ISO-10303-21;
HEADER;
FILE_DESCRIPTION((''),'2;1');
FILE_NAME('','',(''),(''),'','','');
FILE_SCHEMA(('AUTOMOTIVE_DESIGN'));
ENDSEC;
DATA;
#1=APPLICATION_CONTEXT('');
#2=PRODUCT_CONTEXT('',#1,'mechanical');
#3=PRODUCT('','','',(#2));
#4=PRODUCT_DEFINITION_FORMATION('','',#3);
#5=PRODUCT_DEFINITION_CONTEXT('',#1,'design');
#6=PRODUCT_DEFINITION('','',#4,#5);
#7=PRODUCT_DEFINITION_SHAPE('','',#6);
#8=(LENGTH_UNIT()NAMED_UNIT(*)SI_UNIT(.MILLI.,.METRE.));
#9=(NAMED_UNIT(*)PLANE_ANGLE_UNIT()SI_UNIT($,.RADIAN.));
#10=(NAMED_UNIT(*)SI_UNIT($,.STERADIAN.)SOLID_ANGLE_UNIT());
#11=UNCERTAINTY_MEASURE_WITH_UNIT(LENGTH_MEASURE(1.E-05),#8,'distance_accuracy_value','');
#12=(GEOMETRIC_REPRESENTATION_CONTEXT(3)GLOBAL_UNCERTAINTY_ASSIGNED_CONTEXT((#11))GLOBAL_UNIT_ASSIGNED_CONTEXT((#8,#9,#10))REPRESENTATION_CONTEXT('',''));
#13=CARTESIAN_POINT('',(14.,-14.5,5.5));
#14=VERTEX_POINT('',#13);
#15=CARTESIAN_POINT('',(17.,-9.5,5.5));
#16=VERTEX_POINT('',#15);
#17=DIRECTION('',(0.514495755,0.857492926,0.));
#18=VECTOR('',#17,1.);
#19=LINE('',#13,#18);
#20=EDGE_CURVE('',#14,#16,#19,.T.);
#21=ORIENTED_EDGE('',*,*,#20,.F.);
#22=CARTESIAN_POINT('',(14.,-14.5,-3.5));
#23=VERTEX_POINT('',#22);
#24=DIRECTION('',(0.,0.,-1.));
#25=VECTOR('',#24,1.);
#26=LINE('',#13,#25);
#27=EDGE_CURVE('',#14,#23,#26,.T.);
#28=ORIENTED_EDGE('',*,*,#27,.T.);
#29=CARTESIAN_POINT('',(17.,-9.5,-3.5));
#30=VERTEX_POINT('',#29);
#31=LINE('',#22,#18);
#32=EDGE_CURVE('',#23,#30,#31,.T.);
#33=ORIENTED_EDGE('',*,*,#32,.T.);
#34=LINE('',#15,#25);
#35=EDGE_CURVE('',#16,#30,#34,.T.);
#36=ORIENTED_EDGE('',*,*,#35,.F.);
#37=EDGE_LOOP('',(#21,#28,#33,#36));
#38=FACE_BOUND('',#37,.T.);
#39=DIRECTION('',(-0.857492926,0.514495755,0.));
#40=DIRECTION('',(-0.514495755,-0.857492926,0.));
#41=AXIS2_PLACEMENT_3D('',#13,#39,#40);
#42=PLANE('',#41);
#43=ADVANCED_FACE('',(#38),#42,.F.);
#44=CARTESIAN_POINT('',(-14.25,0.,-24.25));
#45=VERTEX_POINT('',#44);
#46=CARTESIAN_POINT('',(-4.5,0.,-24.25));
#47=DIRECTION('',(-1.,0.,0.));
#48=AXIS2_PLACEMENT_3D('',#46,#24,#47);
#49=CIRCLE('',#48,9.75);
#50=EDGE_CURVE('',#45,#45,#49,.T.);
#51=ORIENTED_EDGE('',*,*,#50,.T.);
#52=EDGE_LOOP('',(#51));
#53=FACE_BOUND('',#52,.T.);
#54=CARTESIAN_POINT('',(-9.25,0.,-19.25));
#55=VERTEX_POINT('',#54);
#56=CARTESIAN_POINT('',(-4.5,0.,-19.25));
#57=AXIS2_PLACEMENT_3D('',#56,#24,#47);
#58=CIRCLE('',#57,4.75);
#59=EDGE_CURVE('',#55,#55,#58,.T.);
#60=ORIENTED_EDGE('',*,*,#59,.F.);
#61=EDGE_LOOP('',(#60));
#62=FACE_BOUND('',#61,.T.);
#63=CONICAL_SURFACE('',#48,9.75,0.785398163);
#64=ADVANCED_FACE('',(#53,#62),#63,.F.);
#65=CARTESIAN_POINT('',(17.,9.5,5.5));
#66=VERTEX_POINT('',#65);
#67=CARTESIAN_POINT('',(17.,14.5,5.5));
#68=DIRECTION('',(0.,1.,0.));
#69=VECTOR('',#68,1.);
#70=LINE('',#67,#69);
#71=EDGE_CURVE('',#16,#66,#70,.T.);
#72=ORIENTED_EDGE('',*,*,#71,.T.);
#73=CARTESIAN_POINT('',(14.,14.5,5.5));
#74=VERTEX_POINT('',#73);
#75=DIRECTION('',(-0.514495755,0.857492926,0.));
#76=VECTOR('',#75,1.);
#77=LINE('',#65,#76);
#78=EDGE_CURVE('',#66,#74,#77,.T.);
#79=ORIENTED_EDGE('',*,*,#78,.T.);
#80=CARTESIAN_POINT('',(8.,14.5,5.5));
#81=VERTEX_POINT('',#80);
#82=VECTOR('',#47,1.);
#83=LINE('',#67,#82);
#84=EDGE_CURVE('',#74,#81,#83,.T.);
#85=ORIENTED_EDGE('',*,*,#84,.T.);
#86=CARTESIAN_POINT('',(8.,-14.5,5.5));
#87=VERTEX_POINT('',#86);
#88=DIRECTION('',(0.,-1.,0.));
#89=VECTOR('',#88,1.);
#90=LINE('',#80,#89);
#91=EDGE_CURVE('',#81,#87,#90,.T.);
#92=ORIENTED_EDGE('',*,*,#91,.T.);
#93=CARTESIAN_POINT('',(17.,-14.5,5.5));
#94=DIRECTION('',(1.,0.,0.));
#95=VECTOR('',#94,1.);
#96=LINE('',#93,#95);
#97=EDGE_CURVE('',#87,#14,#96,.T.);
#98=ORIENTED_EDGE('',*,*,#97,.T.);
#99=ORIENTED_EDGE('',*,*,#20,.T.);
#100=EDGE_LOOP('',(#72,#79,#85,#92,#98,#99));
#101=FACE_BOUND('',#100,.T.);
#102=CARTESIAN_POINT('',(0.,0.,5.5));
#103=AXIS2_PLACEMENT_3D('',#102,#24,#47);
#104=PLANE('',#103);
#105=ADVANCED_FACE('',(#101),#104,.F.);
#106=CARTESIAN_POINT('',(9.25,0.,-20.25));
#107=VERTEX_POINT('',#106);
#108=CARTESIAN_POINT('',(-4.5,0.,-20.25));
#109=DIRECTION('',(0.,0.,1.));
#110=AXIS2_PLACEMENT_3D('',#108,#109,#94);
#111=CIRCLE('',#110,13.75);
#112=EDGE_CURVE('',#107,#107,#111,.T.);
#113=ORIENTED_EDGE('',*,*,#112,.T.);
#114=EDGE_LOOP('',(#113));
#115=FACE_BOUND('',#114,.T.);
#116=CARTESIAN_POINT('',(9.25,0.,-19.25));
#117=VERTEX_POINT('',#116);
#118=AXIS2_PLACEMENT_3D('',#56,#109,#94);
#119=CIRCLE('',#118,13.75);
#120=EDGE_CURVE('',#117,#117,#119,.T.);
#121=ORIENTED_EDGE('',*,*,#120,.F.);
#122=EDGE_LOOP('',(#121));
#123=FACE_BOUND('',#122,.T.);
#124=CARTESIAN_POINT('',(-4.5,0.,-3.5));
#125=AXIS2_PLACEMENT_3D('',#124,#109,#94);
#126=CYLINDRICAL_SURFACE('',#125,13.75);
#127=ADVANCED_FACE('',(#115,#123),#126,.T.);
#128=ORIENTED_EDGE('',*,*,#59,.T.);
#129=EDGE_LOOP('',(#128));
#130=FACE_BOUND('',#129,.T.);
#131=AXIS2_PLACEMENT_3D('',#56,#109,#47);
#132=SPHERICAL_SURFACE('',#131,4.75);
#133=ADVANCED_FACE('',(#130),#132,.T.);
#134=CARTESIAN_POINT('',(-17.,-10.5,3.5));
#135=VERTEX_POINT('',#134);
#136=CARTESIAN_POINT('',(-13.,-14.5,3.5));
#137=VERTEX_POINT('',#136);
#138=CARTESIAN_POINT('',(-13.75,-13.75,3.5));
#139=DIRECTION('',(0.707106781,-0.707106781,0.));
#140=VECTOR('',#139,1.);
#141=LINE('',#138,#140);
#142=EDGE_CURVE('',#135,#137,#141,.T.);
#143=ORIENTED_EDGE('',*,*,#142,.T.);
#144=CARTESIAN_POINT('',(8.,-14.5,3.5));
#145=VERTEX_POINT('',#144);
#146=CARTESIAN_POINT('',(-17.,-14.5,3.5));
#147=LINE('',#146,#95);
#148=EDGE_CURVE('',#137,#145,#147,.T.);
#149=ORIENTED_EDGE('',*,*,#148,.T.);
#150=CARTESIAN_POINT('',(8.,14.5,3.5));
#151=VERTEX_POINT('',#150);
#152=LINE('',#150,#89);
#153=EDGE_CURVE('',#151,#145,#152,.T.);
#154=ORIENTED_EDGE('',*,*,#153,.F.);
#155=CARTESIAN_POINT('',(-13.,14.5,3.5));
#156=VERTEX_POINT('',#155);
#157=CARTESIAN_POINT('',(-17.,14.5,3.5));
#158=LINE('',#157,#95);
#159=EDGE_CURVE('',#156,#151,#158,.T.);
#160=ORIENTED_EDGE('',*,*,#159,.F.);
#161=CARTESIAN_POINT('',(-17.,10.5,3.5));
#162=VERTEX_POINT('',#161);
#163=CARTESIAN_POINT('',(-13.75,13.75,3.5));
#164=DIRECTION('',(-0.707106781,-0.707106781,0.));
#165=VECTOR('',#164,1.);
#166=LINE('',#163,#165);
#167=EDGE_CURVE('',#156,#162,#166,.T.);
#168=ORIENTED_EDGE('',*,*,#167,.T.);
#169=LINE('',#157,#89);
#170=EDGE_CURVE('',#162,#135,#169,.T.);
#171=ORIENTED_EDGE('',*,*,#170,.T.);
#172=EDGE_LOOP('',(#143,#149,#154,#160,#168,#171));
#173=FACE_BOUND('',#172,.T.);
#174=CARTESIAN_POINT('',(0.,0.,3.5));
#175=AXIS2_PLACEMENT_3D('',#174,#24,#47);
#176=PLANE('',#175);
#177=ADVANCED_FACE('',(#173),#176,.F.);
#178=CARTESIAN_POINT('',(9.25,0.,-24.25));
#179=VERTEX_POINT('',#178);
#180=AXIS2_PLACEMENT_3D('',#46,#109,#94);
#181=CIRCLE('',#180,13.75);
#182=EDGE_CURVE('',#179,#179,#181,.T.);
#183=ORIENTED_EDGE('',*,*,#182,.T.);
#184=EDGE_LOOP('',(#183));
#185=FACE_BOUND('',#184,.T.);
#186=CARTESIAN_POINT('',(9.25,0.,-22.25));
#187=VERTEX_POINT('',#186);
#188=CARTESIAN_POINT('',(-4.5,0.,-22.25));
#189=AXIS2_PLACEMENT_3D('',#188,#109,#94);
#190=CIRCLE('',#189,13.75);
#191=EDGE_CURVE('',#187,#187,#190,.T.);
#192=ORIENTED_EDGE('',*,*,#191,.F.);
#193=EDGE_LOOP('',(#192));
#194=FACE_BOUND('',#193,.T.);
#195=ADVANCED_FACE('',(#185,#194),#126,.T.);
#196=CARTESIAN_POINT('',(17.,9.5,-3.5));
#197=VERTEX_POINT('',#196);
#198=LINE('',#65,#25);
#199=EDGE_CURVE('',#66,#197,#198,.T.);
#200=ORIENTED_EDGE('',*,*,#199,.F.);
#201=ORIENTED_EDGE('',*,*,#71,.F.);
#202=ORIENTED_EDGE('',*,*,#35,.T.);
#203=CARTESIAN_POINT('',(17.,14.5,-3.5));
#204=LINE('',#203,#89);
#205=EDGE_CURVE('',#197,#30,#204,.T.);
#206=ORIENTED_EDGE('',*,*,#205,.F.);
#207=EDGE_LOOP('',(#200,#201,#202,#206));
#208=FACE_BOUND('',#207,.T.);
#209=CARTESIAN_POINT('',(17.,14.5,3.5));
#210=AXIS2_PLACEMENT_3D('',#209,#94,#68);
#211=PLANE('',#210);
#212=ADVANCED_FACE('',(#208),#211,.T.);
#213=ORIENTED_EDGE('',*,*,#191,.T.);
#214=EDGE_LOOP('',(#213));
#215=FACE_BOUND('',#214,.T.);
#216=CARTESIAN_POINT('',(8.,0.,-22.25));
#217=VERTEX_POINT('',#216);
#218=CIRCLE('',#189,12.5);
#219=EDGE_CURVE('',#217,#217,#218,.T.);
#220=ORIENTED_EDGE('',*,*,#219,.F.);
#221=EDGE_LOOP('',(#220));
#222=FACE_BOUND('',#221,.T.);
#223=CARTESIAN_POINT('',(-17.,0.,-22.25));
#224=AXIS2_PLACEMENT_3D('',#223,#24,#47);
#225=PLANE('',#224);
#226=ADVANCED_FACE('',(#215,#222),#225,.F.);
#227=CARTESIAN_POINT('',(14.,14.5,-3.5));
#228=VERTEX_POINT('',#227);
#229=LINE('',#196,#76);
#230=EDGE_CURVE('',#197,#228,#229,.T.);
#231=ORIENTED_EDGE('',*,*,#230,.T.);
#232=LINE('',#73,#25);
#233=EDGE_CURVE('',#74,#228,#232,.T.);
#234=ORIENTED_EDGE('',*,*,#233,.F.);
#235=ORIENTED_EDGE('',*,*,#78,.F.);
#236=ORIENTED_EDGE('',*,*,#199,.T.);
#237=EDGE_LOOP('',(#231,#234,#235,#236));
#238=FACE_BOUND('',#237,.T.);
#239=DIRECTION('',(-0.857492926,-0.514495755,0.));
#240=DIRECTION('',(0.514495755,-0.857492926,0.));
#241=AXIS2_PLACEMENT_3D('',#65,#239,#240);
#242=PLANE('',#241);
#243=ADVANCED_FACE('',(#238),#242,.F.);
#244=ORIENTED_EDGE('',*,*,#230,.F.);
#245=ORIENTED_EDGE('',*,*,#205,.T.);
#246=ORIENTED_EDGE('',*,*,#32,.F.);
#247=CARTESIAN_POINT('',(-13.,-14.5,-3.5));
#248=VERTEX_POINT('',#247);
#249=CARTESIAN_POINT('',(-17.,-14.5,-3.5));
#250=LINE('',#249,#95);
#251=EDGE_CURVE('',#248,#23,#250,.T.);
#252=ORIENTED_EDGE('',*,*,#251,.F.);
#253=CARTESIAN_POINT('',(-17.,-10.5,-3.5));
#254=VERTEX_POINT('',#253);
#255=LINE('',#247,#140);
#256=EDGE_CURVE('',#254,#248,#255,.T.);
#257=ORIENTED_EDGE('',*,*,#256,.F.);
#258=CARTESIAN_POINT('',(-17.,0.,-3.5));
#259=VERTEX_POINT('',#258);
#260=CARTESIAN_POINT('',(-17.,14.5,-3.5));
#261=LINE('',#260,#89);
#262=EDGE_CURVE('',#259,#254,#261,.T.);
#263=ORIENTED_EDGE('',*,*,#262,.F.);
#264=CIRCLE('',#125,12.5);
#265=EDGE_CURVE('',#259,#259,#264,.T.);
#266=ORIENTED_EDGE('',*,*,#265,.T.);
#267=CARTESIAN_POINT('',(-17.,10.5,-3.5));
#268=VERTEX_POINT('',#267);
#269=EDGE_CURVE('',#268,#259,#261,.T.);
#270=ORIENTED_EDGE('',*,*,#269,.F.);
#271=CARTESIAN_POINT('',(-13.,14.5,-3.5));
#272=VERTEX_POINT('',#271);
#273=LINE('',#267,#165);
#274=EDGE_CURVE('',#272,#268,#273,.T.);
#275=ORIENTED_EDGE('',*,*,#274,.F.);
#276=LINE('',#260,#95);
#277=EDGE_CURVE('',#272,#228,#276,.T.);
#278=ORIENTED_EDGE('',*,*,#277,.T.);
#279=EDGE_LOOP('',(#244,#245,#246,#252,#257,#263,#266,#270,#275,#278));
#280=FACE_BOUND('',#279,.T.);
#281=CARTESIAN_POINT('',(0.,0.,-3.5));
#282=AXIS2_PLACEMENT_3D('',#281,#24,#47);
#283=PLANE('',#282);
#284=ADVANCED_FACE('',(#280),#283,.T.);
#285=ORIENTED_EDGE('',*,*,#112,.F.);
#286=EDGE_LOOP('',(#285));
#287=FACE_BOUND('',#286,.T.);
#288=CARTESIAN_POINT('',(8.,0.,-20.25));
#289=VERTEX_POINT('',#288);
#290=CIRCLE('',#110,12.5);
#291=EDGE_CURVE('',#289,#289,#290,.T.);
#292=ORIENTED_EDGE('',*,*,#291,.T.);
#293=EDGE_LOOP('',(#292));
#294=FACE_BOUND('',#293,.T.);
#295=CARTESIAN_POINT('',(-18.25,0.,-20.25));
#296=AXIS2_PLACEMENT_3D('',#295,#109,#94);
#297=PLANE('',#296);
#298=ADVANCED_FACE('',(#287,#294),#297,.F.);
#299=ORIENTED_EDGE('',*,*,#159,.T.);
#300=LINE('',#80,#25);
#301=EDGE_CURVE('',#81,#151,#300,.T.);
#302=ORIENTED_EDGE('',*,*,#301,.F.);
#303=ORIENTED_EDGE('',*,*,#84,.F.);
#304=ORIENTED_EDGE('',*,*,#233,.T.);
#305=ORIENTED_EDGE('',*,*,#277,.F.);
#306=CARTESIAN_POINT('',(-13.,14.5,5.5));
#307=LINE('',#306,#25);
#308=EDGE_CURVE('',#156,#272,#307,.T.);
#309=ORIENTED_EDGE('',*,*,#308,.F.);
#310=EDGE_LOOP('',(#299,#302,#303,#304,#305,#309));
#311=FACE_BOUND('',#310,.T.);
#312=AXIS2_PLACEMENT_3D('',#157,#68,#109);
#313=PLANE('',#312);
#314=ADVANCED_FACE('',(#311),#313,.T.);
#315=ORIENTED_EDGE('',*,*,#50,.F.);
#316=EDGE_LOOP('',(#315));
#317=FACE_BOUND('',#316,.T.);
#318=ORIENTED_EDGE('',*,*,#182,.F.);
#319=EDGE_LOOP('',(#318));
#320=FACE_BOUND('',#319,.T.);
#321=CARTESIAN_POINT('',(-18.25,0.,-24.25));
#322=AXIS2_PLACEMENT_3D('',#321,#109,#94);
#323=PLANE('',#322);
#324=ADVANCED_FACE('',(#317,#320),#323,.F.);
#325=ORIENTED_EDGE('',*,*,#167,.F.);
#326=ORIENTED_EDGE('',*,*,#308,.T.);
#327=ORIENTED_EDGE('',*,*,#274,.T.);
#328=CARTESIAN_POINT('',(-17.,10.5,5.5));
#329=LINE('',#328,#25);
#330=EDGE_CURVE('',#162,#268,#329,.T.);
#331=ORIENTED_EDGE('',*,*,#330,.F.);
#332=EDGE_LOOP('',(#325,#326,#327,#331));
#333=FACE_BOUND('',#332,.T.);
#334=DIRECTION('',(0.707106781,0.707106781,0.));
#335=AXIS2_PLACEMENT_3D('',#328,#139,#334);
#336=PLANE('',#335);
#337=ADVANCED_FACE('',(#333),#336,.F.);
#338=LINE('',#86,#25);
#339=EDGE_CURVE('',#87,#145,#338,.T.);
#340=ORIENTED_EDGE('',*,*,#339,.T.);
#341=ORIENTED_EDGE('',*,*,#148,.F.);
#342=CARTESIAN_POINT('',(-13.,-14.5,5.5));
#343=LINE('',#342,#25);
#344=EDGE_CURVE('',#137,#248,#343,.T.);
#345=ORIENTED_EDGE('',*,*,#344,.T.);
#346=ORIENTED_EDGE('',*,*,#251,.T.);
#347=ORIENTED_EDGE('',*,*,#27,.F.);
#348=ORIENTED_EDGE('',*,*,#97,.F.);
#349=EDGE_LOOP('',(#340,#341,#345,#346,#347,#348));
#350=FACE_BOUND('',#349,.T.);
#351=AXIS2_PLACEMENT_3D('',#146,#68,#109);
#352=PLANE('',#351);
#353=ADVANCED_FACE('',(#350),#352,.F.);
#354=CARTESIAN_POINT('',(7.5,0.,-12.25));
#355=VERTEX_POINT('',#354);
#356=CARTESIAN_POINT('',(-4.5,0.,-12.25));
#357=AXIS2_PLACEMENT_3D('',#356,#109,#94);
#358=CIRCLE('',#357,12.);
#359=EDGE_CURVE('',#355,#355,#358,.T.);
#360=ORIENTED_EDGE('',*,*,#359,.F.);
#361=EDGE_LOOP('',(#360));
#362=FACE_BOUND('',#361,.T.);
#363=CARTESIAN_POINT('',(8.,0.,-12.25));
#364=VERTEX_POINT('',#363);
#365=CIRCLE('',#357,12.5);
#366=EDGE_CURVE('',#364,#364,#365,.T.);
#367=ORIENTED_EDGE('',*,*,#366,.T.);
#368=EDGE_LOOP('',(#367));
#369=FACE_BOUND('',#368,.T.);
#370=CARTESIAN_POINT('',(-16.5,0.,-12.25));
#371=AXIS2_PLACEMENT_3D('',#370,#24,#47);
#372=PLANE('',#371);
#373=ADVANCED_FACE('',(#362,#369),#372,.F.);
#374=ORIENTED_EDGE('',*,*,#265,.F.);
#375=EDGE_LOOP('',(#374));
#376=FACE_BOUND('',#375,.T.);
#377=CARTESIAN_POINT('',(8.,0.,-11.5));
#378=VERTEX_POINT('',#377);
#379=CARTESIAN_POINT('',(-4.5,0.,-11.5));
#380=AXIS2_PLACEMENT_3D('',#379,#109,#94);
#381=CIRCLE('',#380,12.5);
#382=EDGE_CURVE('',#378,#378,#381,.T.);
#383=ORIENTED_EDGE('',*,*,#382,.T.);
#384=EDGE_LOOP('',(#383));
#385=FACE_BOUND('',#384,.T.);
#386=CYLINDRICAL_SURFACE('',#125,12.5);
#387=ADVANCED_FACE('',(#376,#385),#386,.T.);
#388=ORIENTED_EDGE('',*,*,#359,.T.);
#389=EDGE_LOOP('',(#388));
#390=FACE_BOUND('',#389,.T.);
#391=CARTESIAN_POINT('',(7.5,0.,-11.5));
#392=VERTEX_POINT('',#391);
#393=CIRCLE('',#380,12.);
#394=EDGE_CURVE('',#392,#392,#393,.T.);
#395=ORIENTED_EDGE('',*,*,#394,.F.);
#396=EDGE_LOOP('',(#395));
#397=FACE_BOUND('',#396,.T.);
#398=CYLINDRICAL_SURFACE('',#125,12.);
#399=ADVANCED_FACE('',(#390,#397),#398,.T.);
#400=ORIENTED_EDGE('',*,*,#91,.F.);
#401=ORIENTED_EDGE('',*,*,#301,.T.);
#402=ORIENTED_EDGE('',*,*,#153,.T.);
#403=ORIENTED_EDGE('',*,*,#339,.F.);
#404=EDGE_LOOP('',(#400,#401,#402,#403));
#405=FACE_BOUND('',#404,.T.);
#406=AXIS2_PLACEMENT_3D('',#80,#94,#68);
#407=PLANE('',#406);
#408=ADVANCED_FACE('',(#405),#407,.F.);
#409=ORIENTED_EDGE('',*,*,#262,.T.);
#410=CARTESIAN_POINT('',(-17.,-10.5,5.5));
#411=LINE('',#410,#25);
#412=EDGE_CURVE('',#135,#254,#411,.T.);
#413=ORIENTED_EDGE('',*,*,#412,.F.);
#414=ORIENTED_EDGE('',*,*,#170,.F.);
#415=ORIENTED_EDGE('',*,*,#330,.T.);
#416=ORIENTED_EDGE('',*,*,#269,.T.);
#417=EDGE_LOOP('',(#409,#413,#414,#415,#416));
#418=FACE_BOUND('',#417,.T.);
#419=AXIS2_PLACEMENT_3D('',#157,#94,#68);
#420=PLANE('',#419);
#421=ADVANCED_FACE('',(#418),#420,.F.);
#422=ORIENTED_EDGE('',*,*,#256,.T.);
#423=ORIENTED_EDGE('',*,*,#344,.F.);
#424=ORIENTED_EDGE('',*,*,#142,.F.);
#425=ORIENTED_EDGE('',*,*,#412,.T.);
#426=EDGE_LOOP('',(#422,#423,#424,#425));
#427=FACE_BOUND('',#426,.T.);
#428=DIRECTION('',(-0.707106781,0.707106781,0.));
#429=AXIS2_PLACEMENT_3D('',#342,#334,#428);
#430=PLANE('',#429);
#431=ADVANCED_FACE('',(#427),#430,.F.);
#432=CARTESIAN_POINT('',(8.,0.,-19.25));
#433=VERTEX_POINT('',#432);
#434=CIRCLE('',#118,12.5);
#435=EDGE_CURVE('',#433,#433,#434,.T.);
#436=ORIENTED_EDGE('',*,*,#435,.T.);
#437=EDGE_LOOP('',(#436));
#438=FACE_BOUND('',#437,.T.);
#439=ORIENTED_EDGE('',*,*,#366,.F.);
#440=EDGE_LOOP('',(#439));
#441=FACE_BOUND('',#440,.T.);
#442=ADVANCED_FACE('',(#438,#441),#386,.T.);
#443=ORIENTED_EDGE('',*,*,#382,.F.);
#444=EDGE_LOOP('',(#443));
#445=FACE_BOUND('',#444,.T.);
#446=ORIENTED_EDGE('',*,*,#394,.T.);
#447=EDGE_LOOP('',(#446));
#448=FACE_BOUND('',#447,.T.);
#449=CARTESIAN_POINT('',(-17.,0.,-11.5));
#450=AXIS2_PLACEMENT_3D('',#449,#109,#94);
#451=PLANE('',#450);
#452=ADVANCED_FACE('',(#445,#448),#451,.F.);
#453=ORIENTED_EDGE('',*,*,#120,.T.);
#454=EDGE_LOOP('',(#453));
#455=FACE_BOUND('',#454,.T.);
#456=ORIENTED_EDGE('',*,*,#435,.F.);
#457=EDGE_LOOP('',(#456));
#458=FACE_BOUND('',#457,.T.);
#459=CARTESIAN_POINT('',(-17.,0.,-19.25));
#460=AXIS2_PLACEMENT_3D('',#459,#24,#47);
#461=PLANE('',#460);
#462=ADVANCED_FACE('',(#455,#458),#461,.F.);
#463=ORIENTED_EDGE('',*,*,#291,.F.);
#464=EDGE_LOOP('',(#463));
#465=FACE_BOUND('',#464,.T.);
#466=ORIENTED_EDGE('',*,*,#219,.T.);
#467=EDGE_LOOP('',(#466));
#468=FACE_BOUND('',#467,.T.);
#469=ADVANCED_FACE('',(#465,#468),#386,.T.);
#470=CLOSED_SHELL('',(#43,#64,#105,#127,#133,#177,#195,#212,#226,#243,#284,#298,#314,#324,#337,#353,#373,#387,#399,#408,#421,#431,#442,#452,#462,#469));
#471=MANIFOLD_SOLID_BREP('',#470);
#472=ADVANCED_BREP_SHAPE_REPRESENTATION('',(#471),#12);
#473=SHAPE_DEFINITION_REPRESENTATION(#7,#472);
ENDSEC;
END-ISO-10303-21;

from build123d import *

# Parameters (mm, degrees)
SKETCH1_W           = 34
SKETCH1_H           = 29
BOSS_EXTRUDE1_DEPTH = 3.5
SKETCH2_W           = 9
SKETCH2_H           = 29
BOSS_EXTRUDE2_DEPTH = 2
CUT_EXTRUDE1_DEPTH  = 25.088378941
SKETCH5_R           = 9.75
CUT_EXTRUDE2_DEPTH  = 5
CUT_EXTRUDE2_DRAFT  = -45


with BuildPart() as part:
    # Sketch1 → Boss-Extrude1 (new, symmetric)
    with BuildSketch(Plane.XY):
        Rectangle(SKETCH1_W, SKETCH1_H)
    extrude(amount=BOSS_EXTRUDE1_DEPTH, both=True)

    # Sketch2 → Boss-Extrude2 (add)
    with BuildSketch(Plane.XY.offset(3.5)):
        with Locations((12.5, 0)):
            Rectangle(SKETCH2_W, SKETCH2_H)
    extrude(amount=BOSS_EXTRUDE2_DEPTH)

    # Sketch3 → Cut-Extrude1 (cut, through all)
    with BuildSketch(Plane(origin=(0, 0, -3.5), x_dir=(-1, 0, 0), z_dir=(0, 0, -1))):
        Polygon((-14, -14.5), (-17, -9.5), (-17, -14.5), align=None)
        Polygon((13, -14.5), (17, -10.5), (17, -14.5), align=None)
        Polygon((17, 10.5), (13, 14.5), (17, 14.5), align=None)
        Polygon((-17, 9.5), (-14, 14.5), (-17, 14.5), align=None)
    extrude(amount=-CUT_EXTRUDE1_DEPTH, mode=Mode.SUBTRACT)

    # Sketch4 → Revolve1 (revolve)
    with BuildSketch(Plane(origin=(0, 0, 0), x_dir=(1, 0, 0), z_dir=(0, 1, 0)), mode=Mode.PRIVATE) as revolve1_sk:
        Polygon((-17, 3.5), (-4.5, 3.5), (-4.5, 24.25), (-18.25, 24.25), (-18.25, 22.25), (-17, 22.25), (-17, 20.25), (-18.25, 20.25), (-18.25, 19.25), (-17, 19.25), (-17, 12.25), (-16.5, 12.25), (-16.5, 11.5), (-17, 11.5), align=None)
    revolve(revolve1_sk.sketch.rotate(Axis((-4.5, 0, -3.5), (0, 0, -1)), 180), axis=Axis((-4.5, 0, -3.5), (0, 0, -1)))


with BuildPart() as cut_extrude2_tool:
    # Sketch5 → Cut-Extrude2 (with draft: the straight prism first)
    with BuildSketch(Plane(origin=(0, 0, -24.25), x_dir=(-1, 0, 0), z_dir=(0, 0, -1))):
        with Locations((4.5, 0)):
            Circle(SKETCH5_R)
    extrude(amount=-CUT_EXTRUDE2_DEPTH)
    # Cut-Extrude2: the draft: its side faces are tilted about the plane it starts from
    cut_extrude2_sides = [cut_extrude2_tool.faces().sort_by_distance(p)[0] for p in [
        (5.25, 0, -21.75),
    ]]
    draft(cut_extrude2_sides, Plane(origin=(0, 0, -24.25), x_dir=(-1, 0, 0), z_dir=(0, 0, -1)), CUT_EXTRUDE2_DRAFT)


with BuildPart() as part_1:
    add(part.part)

    # Cut-Extrude2: cut by cut_extrude2_tool
    add(cut_extrude2_tool.part, mode=Mode.SUBTRACT)

    # Sketch6 → Revolve2 (revolve)
    with BuildSketch(Plane(origin=(0, 0, 0), x_dir=(1, 0, 0), z_dir=(0, 1, 0))):
        with BuildLine():
            Line((-9.25, 19.25), (-4.5, 19.25))
            Line((-4.5, 19.25), (-4.5, 24))
            ThreePointArc((-4.5, 24), (-7.858757211, 22.608757211), (-9.25, 19.25))
        make_face()
    revolve(axis=Axis((-4.5, 0, -19.25), (0, 0, -1)))


solid = part_1.part
